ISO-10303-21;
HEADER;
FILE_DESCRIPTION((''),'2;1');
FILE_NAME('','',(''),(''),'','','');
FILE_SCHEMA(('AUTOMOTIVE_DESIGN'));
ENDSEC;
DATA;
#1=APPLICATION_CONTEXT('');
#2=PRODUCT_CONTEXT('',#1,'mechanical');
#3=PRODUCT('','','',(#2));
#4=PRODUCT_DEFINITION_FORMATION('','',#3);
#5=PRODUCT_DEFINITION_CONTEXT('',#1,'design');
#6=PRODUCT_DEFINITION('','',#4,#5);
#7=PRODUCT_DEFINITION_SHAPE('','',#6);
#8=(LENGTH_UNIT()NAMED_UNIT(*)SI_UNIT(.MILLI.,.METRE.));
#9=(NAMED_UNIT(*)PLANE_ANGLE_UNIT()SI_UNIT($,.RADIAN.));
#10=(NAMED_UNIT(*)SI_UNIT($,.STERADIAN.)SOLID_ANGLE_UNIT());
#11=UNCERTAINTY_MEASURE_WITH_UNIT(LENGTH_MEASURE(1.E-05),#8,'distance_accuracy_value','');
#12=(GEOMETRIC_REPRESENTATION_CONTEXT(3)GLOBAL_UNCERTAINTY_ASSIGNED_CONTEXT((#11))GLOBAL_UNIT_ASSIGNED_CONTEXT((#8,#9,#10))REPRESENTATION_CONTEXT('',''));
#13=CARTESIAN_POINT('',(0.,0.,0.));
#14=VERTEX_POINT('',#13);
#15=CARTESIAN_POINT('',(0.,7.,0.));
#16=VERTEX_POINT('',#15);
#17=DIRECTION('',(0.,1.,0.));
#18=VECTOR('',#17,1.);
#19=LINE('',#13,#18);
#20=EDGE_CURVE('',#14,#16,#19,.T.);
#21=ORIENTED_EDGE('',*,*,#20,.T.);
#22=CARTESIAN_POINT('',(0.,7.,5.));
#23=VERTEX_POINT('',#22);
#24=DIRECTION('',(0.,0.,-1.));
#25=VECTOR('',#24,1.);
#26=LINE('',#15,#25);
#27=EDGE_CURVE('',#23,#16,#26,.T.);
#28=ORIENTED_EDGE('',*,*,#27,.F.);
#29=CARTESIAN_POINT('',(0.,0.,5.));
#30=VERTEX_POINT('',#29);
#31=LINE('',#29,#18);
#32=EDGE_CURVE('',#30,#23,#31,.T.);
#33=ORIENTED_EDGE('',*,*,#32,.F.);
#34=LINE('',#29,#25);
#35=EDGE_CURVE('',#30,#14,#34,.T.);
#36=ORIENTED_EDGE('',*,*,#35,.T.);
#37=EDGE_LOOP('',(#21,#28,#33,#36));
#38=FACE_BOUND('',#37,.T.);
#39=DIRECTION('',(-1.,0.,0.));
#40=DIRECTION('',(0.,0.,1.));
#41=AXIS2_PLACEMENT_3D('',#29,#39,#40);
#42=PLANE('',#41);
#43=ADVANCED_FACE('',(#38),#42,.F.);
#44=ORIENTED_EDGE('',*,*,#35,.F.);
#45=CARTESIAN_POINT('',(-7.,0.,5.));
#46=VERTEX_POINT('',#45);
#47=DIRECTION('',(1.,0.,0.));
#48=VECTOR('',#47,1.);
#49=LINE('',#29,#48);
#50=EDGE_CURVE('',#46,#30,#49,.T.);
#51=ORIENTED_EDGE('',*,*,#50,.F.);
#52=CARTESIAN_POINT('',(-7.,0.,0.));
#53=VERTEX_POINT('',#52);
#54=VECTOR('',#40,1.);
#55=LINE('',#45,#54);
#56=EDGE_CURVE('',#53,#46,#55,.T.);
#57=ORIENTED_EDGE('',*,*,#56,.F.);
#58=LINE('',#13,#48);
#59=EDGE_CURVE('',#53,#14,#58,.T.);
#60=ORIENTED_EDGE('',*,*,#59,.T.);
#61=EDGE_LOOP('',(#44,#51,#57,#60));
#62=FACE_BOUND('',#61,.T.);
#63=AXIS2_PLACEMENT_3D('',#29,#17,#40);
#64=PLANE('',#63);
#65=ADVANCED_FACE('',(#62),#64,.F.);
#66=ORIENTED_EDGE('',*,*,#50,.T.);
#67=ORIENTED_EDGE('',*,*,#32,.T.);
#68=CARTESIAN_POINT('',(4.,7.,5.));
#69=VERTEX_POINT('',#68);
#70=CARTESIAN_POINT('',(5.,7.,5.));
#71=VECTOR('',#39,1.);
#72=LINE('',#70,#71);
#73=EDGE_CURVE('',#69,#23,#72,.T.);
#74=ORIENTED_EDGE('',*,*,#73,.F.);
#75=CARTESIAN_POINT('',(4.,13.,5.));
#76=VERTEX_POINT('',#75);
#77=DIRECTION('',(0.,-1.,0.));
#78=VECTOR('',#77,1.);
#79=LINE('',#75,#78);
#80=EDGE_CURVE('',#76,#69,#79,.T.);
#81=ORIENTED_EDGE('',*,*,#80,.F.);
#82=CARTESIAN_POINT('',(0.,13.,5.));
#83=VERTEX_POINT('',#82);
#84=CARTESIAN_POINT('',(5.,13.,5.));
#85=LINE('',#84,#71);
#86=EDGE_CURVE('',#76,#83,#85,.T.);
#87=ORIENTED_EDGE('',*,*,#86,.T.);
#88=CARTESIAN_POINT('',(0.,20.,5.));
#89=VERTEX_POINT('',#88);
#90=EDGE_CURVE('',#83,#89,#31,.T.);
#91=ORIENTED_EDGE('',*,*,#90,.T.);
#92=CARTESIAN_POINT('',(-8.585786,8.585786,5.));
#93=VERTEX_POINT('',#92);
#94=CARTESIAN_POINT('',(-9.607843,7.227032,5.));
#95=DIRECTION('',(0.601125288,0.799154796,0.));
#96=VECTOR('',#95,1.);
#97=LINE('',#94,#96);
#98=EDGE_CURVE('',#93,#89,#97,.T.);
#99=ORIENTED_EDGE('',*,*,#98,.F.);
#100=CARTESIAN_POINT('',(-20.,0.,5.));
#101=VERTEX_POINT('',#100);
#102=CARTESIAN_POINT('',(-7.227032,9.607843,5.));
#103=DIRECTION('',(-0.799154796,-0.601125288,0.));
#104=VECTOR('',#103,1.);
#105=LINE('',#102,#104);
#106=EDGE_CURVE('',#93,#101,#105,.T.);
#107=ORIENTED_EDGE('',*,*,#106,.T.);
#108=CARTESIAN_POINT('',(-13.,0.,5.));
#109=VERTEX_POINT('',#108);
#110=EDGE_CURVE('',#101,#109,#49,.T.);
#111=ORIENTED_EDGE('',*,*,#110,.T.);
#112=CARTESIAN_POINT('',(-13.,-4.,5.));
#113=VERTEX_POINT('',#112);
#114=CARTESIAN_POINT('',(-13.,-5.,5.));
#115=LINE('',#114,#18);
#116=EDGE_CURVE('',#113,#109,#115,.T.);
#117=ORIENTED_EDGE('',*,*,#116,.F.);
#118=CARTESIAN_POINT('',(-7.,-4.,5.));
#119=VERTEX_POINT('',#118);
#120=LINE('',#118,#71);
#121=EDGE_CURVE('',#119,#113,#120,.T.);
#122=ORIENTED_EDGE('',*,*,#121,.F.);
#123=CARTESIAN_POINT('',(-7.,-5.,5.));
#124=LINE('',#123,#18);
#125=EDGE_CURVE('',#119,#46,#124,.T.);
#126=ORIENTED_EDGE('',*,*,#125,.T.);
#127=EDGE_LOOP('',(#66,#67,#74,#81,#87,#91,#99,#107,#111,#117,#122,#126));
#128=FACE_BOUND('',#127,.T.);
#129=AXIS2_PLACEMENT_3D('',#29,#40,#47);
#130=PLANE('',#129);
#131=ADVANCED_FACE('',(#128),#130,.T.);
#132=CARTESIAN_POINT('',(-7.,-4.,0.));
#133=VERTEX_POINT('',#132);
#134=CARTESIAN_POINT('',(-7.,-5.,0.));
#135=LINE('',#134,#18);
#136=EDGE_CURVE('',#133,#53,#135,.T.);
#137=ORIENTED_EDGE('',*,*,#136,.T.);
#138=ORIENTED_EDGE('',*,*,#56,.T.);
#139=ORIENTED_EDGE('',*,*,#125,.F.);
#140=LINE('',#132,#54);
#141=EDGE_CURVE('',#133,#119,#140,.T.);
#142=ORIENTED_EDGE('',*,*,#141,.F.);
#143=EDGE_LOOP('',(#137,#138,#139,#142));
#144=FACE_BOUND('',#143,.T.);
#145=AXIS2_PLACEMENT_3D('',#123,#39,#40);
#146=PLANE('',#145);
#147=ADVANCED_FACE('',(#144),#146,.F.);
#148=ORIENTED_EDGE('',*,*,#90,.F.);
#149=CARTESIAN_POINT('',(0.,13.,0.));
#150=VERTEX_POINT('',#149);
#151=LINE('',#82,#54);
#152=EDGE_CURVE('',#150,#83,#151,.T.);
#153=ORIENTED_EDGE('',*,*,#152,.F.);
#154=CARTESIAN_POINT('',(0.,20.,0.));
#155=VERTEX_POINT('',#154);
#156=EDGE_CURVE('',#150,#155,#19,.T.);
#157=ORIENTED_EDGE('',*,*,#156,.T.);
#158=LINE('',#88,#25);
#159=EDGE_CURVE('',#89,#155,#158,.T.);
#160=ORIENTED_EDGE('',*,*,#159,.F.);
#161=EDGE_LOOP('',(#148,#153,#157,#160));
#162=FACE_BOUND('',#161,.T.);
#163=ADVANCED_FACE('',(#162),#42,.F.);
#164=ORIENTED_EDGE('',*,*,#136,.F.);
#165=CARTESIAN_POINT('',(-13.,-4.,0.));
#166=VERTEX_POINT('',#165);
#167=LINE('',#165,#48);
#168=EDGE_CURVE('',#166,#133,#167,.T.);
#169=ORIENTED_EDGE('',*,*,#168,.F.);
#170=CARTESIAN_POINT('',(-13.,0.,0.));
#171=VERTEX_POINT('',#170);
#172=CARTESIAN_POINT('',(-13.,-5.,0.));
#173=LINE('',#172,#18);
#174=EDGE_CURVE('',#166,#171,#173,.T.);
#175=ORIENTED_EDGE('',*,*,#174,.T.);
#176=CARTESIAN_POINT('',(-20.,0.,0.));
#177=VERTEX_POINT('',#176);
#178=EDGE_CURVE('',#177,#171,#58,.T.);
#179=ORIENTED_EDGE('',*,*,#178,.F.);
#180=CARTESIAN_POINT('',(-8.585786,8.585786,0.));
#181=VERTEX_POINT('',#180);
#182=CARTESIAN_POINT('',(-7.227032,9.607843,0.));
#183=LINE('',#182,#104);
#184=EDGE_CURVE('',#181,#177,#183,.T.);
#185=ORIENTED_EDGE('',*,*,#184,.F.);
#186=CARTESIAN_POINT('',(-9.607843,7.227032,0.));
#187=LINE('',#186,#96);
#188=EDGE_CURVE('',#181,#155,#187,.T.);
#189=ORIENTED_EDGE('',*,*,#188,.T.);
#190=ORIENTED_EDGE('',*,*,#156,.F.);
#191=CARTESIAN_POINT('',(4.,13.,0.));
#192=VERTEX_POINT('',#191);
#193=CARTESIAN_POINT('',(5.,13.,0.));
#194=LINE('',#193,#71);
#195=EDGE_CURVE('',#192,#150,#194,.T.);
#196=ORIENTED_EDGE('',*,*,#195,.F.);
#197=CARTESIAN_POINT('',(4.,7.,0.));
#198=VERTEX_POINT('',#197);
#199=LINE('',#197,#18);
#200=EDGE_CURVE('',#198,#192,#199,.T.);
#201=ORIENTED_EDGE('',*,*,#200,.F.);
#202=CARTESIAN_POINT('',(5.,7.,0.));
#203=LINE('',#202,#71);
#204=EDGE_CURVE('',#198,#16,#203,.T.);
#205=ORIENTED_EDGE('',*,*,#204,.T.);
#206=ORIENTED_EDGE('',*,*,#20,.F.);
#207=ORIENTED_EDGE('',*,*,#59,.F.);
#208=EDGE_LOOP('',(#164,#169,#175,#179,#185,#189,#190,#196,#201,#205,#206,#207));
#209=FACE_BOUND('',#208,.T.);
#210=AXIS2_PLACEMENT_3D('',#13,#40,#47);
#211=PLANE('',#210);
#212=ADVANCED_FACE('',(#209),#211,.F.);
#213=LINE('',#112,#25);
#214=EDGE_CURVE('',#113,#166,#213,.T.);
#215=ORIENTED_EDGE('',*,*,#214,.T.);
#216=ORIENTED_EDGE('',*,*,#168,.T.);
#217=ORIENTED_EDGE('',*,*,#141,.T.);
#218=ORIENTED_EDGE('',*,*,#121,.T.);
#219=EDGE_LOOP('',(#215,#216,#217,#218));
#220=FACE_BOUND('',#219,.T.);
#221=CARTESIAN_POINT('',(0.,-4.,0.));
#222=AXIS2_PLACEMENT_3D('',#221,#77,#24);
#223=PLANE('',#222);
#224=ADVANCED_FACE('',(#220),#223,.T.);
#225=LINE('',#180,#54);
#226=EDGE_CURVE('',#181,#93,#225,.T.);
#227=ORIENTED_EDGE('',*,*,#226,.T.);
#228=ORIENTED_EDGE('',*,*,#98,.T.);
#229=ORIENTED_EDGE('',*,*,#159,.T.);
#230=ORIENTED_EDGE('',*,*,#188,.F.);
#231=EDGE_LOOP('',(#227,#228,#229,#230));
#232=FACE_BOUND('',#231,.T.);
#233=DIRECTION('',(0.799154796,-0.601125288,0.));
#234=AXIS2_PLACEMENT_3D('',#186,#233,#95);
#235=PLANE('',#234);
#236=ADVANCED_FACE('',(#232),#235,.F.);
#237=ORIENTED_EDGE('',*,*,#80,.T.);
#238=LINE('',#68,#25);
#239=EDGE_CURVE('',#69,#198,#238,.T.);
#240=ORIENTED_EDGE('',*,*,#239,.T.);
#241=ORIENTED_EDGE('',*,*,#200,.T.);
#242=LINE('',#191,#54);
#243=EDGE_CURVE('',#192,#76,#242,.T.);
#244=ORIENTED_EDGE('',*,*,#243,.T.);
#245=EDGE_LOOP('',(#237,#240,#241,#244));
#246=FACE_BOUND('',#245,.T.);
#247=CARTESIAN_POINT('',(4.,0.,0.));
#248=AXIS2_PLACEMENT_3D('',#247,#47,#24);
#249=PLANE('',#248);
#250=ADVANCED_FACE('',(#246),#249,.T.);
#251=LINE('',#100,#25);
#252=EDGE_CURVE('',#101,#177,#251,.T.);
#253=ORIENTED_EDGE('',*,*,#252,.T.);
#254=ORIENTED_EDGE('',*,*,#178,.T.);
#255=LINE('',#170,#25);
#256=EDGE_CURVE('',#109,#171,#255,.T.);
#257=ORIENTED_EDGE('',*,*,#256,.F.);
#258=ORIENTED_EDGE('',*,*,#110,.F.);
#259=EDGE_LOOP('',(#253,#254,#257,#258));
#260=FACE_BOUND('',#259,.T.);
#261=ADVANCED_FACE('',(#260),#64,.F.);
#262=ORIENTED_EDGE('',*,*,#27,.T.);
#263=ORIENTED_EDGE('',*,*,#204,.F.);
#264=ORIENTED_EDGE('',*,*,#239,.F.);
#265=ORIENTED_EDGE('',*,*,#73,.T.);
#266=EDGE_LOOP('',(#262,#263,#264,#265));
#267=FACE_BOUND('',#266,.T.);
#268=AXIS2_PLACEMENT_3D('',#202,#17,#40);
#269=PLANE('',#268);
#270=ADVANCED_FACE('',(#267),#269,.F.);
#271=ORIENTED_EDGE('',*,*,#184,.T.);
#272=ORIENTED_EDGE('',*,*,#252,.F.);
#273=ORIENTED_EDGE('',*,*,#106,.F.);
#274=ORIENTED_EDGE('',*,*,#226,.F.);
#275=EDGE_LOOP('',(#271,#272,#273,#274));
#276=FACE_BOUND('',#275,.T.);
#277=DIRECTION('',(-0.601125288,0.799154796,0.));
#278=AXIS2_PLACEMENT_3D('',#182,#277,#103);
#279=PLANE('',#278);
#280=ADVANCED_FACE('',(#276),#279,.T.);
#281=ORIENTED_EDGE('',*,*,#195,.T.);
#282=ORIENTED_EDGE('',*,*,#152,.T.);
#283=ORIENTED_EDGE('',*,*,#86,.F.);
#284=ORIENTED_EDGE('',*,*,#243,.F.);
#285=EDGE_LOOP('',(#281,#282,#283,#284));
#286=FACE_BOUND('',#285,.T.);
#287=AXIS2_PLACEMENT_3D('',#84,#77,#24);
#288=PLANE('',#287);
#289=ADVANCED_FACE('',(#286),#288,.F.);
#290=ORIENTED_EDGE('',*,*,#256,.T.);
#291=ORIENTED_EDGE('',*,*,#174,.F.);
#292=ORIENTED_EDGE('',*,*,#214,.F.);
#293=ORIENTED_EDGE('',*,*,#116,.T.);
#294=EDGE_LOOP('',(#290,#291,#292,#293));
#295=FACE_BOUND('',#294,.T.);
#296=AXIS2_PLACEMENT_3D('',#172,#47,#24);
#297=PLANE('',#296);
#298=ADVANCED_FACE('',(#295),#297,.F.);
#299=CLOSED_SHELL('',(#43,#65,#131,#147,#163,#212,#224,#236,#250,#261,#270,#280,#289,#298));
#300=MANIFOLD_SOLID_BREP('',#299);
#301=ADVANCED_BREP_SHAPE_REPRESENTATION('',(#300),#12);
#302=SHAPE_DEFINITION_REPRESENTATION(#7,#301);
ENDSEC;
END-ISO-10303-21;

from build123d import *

# Parameters (mm, degrees)
EXTRUDE_1_DEPTH     = 5
CUT_EXTRUDE_1_DEPTH = 5
EXTRUDE_2_DEPTH     = 5
EXTRUDE_3_DEPTH     = 5
SKETCH_5_W          = 6
SKETCH_5_H          = 5
CUT_EXTRUDE_2_DEPTH = 1
SKETCH_6_W          = 5
SKETCH_6_H          = 6
CUT_EXTRUDE_3_DEPTH = 1


with BuildPart() as part:
    # 草图1 → 凸台-拉伸1 (new body)
    with BuildSketch(Plane.XY):
        Polygon((0, 0), (-20, 0), (0, 20), align=None)
    extrude(amount=EXTRUDE_1_DEPTH)

    # 草图2 → 切除-拉伸1 (cut)
    with BuildSketch(Plane.XY.offset(5)):
        Polygon((-8.585786438, 8.585786438), (-10, 10), (-20, 0), align=None)
        Polygon((-8.585786438, 8.585786438), (0, 20), (-10, 10), align=None)
    extrude(amount=-CUT_EXTRUDE_1_DEPTH, mode=Mode.SUBTRACT)

    # 草图3 → 凸台-拉伸2 (add)
    with BuildSketch(Plane.XZ):
        Polygon((-10, 0), (-13, 0), (-13, 5), (-7, 5), (-7, 0), align=None)
    extrude(amount=EXTRUDE_2_DEPTH)

    # 草图4 → 凸台-拉伸3 (add)
    with BuildSketch(Plane(origin=(0, 0, 0), x_dir=(0, 0, -1), z_dir=(1, 0, 0))):
        Polygon((0, 10), (0, 7), (-5, 7), (-5, 13), (0, 13), align=None)
    extrude(amount=EXTRUDE_3_DEPTH)

    # 草图5 → 切除-拉伸2 (cut)
    with BuildSketch(Plane.XZ.offset(5)):
        with Locations((-10, 2.5)):
            Rectangle(SKETCH_5_W, SKETCH_5_H)
    extrude(amount=-CUT_EXTRUDE_2_DEPTH, mode=Mode.SUBTRACT)

    # 草图6 → 切除-拉伸3 (cut)
    with BuildSketch(Plane(origin=(5, 0, 0), x_dir=(0, 0, -1), z_dir=(1, 0, 0))):
        with Locations((-2.5, 10)):
            Rectangle(SKETCH_6_W, SKETCH_6_H)
    extrude(amount=-CUT_EXTRUDE_3_DEPTH, mode=Mode.SUBTRACT)


solid = part.part
